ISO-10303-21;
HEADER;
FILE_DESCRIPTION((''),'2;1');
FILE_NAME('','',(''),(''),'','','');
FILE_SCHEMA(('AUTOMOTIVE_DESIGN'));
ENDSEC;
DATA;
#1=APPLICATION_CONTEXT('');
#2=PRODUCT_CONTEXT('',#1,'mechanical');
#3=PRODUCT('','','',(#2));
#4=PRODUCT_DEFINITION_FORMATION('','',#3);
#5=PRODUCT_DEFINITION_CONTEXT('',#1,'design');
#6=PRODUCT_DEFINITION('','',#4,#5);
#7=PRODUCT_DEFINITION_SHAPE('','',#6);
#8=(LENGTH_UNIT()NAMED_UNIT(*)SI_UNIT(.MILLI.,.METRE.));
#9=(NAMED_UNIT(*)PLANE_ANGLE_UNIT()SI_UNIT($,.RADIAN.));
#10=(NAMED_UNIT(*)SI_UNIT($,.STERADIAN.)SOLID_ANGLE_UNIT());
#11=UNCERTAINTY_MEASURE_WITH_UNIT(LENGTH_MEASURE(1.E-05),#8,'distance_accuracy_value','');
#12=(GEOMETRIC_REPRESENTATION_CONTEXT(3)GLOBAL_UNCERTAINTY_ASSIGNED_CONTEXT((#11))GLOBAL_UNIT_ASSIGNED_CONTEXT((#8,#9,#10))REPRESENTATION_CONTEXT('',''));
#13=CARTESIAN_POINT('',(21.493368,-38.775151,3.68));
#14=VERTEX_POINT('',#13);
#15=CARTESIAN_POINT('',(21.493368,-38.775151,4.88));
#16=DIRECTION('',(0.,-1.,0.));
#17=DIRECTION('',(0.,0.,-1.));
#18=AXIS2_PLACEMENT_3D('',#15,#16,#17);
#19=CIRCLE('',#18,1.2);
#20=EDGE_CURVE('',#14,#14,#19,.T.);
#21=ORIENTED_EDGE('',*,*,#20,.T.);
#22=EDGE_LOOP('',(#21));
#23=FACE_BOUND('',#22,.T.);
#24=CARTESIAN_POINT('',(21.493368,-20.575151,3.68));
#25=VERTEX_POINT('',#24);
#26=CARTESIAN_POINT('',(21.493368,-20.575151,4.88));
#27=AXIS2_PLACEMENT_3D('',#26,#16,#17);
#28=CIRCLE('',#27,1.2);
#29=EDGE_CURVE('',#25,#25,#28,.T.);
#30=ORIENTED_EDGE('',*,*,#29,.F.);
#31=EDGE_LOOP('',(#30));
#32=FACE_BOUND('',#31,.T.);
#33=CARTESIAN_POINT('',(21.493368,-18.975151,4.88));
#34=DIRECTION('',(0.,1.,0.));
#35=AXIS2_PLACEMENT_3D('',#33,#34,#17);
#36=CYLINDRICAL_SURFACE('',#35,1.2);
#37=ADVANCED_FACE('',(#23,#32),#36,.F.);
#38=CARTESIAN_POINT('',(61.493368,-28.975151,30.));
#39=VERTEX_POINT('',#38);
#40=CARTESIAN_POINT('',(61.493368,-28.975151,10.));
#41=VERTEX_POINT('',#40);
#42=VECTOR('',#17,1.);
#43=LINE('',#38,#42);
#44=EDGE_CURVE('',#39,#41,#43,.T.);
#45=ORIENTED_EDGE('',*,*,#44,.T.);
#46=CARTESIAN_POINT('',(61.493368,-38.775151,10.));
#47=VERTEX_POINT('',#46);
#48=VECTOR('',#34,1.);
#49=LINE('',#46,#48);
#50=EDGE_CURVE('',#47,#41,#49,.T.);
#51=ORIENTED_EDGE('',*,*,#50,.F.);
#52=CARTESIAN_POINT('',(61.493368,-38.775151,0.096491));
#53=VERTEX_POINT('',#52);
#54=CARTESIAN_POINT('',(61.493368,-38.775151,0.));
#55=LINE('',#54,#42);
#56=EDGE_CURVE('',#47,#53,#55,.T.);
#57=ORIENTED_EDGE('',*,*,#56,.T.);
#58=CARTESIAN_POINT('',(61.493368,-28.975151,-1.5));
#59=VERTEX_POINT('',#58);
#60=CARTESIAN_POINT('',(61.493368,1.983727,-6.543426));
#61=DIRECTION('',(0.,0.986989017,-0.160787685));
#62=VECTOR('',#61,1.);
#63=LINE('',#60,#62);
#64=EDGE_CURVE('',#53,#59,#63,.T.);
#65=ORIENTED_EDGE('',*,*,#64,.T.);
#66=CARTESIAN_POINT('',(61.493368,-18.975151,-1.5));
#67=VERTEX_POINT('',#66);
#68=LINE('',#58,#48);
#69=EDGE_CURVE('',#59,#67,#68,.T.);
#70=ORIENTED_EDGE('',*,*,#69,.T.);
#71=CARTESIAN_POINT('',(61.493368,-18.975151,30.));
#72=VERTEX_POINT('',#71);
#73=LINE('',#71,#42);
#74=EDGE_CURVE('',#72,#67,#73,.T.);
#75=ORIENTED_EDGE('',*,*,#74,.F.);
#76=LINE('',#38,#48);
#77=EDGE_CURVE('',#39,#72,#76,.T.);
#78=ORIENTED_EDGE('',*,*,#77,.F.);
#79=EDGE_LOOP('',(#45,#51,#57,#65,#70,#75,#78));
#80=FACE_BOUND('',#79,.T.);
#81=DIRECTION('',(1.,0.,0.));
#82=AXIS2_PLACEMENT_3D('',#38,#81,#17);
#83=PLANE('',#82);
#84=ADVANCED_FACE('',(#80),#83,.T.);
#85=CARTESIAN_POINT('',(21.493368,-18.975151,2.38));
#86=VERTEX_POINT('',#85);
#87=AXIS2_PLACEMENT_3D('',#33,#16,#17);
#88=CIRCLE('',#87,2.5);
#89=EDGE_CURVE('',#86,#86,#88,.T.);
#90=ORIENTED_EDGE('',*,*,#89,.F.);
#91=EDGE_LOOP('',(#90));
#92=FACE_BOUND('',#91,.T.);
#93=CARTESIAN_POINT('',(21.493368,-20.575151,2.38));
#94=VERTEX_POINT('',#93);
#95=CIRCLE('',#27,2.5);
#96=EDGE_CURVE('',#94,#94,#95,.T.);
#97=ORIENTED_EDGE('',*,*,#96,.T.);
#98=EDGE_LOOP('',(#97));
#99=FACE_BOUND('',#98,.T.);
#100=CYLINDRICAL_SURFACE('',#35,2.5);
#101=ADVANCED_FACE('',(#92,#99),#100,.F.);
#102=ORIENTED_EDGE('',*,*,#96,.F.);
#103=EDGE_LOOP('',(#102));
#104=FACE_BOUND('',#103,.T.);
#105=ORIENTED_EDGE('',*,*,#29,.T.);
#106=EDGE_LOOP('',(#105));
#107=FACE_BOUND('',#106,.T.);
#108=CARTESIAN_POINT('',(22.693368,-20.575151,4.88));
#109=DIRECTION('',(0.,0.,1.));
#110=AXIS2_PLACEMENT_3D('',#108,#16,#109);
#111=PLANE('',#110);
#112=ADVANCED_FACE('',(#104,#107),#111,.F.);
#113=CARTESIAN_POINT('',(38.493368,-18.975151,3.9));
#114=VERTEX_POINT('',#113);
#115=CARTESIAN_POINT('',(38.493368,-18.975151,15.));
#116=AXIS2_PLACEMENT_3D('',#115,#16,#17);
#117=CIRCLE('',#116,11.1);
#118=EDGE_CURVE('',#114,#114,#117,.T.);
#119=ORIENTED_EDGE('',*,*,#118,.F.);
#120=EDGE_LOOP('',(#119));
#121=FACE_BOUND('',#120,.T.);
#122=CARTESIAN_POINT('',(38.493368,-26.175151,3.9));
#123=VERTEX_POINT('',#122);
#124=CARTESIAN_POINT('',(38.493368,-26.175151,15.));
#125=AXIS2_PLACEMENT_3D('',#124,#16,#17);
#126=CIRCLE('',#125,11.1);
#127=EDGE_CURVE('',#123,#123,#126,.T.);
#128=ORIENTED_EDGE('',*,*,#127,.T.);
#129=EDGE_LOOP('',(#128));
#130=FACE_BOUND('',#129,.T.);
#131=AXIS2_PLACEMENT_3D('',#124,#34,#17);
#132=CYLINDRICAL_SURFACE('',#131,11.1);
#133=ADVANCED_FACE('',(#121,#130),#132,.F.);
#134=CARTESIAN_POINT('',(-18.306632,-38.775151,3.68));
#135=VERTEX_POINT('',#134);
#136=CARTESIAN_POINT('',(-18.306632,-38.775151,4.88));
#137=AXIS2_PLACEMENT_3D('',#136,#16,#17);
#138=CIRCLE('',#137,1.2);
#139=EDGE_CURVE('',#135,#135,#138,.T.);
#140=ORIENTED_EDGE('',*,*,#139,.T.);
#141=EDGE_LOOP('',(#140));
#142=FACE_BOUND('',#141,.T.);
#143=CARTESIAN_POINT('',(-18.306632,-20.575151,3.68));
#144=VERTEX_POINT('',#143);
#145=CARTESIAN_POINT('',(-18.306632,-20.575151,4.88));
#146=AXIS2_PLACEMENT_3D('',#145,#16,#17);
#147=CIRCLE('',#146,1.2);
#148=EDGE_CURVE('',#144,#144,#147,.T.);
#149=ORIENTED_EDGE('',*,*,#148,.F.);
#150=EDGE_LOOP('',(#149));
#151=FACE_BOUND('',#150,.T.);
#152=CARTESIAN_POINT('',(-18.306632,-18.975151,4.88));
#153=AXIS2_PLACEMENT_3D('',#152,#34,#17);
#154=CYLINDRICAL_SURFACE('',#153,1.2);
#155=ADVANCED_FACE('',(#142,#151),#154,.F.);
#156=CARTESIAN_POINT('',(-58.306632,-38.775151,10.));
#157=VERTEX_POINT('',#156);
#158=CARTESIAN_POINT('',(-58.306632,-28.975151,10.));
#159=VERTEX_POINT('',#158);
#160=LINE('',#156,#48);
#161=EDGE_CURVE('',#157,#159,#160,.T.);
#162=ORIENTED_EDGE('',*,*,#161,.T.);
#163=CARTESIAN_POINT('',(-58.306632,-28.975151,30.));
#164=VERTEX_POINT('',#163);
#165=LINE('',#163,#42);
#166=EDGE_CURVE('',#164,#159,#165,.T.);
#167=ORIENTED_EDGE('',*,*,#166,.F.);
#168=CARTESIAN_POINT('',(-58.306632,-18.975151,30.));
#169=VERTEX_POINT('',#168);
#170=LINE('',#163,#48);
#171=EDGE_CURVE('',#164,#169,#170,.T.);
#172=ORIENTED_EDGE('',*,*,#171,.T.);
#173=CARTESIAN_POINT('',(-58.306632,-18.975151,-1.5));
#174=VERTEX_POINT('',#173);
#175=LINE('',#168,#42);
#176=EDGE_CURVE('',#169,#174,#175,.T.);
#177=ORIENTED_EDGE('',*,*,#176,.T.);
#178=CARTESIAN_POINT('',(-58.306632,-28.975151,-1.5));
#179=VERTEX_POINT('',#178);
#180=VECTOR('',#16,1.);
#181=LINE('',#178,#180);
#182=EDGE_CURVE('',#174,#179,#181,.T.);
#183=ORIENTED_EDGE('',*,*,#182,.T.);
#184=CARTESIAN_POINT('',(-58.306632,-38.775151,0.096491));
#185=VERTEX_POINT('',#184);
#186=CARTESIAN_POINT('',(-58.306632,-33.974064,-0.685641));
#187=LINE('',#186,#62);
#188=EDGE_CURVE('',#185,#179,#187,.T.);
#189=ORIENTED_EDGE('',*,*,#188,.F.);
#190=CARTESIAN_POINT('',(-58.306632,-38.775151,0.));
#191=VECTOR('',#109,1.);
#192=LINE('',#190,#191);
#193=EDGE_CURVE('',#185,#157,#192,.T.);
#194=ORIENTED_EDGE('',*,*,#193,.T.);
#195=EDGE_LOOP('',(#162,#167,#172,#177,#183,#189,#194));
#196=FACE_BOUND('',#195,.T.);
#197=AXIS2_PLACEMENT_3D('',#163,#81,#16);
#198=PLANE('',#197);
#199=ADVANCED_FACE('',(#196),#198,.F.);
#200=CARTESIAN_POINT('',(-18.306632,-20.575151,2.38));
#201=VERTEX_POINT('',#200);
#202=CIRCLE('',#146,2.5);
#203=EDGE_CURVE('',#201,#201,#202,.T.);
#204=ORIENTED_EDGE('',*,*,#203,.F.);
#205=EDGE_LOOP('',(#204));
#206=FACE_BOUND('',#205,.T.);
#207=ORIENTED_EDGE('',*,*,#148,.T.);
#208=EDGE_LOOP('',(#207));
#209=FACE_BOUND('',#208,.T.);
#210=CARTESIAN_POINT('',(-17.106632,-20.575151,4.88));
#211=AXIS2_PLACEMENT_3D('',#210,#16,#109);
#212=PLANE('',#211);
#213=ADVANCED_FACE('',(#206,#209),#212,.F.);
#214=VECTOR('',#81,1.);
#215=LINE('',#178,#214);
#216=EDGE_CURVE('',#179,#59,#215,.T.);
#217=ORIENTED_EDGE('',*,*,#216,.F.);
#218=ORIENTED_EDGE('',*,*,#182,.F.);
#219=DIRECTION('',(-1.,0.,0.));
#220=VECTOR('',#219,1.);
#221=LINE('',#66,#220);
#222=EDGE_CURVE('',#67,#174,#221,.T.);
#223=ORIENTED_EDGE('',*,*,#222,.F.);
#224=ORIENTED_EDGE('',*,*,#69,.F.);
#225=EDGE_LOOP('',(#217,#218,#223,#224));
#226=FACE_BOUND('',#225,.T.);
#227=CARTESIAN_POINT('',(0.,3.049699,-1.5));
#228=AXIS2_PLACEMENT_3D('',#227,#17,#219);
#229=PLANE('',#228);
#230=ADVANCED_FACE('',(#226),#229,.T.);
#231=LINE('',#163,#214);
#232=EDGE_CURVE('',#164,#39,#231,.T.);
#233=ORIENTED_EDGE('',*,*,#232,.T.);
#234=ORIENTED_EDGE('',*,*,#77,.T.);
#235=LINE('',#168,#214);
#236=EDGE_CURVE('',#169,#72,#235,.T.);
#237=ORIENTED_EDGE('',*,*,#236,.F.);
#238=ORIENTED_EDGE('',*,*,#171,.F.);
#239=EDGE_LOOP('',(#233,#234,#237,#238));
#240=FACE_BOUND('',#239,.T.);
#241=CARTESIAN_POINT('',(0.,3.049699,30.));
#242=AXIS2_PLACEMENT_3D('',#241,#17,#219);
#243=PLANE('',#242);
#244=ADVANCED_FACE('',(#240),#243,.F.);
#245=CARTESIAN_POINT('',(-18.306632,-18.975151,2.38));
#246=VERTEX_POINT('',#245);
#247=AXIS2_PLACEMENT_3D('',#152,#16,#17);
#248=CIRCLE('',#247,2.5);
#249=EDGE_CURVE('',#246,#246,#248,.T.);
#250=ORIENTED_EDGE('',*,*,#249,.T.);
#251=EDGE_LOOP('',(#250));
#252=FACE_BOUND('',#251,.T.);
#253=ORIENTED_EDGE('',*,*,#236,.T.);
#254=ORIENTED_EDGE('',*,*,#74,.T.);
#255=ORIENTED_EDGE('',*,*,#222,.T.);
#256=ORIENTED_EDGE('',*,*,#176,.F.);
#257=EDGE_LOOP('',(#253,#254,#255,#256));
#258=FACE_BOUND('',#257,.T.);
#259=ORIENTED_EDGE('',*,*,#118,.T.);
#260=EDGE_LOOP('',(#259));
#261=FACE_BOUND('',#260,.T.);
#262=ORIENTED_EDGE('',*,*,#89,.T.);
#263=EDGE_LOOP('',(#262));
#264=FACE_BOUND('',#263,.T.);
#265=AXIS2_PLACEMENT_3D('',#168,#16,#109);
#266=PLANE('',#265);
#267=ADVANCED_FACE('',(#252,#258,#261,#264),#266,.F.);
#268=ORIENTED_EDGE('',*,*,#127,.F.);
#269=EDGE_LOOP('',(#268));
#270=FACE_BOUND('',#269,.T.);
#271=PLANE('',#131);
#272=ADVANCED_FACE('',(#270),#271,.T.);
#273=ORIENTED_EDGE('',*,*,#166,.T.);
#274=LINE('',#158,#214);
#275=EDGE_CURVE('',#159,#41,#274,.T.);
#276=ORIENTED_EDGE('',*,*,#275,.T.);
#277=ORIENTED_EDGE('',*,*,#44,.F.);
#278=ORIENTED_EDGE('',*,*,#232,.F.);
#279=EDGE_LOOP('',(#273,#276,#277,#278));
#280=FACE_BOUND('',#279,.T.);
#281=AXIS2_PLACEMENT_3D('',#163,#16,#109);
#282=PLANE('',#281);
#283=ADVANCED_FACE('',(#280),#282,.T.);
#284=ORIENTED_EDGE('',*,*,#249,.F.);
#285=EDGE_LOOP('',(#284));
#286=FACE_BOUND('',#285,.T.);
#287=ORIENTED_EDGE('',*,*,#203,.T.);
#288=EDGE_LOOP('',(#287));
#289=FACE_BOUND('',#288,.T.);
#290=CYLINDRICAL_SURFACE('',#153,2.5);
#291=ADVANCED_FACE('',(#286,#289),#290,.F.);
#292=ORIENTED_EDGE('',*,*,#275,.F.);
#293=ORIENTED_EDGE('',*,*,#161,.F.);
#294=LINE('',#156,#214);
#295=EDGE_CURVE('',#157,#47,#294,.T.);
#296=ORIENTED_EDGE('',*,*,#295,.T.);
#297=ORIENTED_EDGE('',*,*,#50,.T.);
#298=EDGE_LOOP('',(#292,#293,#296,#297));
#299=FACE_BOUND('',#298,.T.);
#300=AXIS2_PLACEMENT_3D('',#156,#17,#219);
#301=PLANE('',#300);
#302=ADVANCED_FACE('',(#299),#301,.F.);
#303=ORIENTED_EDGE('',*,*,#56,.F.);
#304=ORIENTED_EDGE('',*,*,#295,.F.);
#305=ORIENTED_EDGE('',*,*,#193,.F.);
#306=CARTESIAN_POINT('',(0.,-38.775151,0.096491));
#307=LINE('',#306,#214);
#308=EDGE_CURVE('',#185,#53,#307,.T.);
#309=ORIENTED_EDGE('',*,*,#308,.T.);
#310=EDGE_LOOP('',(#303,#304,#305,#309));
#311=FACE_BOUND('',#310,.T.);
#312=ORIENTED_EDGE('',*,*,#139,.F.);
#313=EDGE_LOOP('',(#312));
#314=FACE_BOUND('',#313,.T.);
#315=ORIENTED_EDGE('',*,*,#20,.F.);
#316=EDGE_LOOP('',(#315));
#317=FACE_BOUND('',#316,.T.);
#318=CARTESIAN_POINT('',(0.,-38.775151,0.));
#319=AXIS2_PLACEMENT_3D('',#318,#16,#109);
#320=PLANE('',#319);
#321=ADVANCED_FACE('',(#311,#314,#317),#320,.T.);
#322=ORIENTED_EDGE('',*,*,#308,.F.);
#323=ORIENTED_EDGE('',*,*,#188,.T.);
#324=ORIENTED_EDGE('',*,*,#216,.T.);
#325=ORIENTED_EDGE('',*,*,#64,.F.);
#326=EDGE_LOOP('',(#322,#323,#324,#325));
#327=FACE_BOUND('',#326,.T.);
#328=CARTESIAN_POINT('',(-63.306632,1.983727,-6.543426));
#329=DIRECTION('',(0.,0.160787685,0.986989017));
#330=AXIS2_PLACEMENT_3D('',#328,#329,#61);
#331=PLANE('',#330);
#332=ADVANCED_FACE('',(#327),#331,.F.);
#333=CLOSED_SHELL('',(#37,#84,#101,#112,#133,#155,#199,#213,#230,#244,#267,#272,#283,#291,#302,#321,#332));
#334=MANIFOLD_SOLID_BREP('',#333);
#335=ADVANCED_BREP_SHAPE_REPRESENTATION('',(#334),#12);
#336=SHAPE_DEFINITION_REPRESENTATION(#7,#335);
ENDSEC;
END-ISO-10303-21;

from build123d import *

# Parameters (mm, degrees)
SZKIC1_W                                             = 119.8
SZKIC1_H                                             = 10
DODANIE_WYCI_GNI_CIE2_DEPTH                          = 30
SZKIC21_W                                            = 119.8
SZKIC21_H                                            = 10
DODANIE_WYCI_GNI_CIE3_DEPTH                          = 9.8
POG_BIENIE_WALCOWE_POD_M2_WKR_T_DO_CZ_CI_D           = 2.4
POG_BIENIE_WALCOWE_POD_M2_WKR_T_DO_CZ_CI_CBORE_D     = 5
POG_BIENIE_WALCOWE_POD_M2_WKR_T_DO_CZ_CI_CBORE_DEPTH = 1.6
SZKIC28_R                                            = 11.1
WYTNIJ_WYCI_GNI_CIE1_DEPTH                           = 7.2
WYTNIJ_WYCI_GNI_CIE4_DEPTH                           = 124.8
DODANIE_WYCI_GNI_CIE5_DEPTH                          = 119.8
SZKIC34_W                                            = 119.8
SZKIC34_H                                            = 10
DODANIE_WYCI_GNI_CIE6_DEPTH                          = 1.5


with BuildPart() as part:
    # Szkic1 → Dodanie-wyciągnięcie2 (new body)
    with BuildSketch(Plane.XY):
        with Locations((1.59336777, 27.024849398)):
            Rectangle(SZKIC1_W, SZKIC1_H)
    extrude(amount=DODANIE_WYCI_GNI_CIE2_DEPTH)

    # Szkic21 → Dodanie-wyciągnięcie3 (add)
    with BuildSketch(Plane(origin=(0, 32.024849398, 0), x_dir=(1, 0, 0), z_dir=(0, 1, 0))):
        with Locations((1.59336777, -5)):
            Rectangle(SZKIC21_W, SZKIC21_H)
    extrude(amount=DODANIE_WYCI_GNI_CIE3_DEPTH)

    # Pogłębienie walcowe pod M2 wkręt do części metalowych z łbem stożkowym ściętym2 (through all)
    with Locations(Plane(origin=(0, 22.024849398, 0), x_dir=(-1, 0, 0), z_dir=(0, -1, 0))):
        with Locations((-21.49336777, -4.88), (18.30663223, -4.88)):
            CounterBoreHole(POG_BIENIE_WALCOWE_POD_M2_WKR_T_DO_CZ_CI_D / 2, POG_BIENIE_WALCOWE_POD_M2_WKR_T_DO_CZ_CI_CBORE_D / 2, POG_BIENIE_WALCOWE_POD_M2_WKR_T_DO_CZ_CI_CBORE_DEPTH)

    # Szkic28 → Wytnij-wyciągnięcie1 (cut)
    with BuildSketch(Plane.XZ.offset(-22.024849398)):
        with Locations((38.49336777, 15)):
            Circle(SZKIC28_R)
    extrude(amount=-WYTNIJ_WYCI_GNI_CIE1_DEPTH, mode=Mode.SUBTRACT)

    # Szkic31 → Wytnij-wyciągnięcie4 (cut)
    with BuildSketch(Plane(origin=(61.49336777, 0, 0), x_dir=(0, 0, -1), z_dir=(1, 0, 0))):
        Polygon((0, 41.824849398), (-0.096491228, 41.824849398), (0, 41.232541705), align=None)
    extrude(amount=-WYTNIJ_WYCI_GNI_CIE4_DEPTH, mode=Mode.SUBTRACT)

    # Szkic31<5> → Dodanie-wyciągnięcie5 (add)
    with BuildSketch(Plane(origin=(61.49336777, 0, 0), x_dir=(0, 0, -1), z_dir=(1, 0, 0))):
        Polygon((0, 41.232541705), (0, 32.024849398), (1.5, 32.024849398), (0.275236278, 39.543014399), align=None)
    extrude(amount=-DODANIE_WYCI_GNI_CIE5_DEPTH)

    # Szkic34 → Dodanie-wyciągnięcie6 (add)
    with BuildSketch(Plane(origin=(0, 0, 0), x_dir=(-1, 0, 0), z_dir=(0, 0, -1))):
        with Locations((-1.59336777, 27.024849398)):
            Rectangle(SZKIC34_W, SZKIC34_H)
    extrude(amount=DODANIE_WYCI_GNI_CIE6_DEPTH)


with BuildPart() as body_2:
    # Lustro2: mirrored copy
    add(part.part.mirror(Plane(origin=(-58.30663223, 22.024849398, 30), x_dir=(0, 0, 1), z_dir=(0, 1, 0))))


with BuildPart() as body_2_1:
    # Obiekt-Przenieś/Kopiuj1: moved
    add(body_2.part.moved(Location((0, -41, 0))))


solid = body_2_1.part
